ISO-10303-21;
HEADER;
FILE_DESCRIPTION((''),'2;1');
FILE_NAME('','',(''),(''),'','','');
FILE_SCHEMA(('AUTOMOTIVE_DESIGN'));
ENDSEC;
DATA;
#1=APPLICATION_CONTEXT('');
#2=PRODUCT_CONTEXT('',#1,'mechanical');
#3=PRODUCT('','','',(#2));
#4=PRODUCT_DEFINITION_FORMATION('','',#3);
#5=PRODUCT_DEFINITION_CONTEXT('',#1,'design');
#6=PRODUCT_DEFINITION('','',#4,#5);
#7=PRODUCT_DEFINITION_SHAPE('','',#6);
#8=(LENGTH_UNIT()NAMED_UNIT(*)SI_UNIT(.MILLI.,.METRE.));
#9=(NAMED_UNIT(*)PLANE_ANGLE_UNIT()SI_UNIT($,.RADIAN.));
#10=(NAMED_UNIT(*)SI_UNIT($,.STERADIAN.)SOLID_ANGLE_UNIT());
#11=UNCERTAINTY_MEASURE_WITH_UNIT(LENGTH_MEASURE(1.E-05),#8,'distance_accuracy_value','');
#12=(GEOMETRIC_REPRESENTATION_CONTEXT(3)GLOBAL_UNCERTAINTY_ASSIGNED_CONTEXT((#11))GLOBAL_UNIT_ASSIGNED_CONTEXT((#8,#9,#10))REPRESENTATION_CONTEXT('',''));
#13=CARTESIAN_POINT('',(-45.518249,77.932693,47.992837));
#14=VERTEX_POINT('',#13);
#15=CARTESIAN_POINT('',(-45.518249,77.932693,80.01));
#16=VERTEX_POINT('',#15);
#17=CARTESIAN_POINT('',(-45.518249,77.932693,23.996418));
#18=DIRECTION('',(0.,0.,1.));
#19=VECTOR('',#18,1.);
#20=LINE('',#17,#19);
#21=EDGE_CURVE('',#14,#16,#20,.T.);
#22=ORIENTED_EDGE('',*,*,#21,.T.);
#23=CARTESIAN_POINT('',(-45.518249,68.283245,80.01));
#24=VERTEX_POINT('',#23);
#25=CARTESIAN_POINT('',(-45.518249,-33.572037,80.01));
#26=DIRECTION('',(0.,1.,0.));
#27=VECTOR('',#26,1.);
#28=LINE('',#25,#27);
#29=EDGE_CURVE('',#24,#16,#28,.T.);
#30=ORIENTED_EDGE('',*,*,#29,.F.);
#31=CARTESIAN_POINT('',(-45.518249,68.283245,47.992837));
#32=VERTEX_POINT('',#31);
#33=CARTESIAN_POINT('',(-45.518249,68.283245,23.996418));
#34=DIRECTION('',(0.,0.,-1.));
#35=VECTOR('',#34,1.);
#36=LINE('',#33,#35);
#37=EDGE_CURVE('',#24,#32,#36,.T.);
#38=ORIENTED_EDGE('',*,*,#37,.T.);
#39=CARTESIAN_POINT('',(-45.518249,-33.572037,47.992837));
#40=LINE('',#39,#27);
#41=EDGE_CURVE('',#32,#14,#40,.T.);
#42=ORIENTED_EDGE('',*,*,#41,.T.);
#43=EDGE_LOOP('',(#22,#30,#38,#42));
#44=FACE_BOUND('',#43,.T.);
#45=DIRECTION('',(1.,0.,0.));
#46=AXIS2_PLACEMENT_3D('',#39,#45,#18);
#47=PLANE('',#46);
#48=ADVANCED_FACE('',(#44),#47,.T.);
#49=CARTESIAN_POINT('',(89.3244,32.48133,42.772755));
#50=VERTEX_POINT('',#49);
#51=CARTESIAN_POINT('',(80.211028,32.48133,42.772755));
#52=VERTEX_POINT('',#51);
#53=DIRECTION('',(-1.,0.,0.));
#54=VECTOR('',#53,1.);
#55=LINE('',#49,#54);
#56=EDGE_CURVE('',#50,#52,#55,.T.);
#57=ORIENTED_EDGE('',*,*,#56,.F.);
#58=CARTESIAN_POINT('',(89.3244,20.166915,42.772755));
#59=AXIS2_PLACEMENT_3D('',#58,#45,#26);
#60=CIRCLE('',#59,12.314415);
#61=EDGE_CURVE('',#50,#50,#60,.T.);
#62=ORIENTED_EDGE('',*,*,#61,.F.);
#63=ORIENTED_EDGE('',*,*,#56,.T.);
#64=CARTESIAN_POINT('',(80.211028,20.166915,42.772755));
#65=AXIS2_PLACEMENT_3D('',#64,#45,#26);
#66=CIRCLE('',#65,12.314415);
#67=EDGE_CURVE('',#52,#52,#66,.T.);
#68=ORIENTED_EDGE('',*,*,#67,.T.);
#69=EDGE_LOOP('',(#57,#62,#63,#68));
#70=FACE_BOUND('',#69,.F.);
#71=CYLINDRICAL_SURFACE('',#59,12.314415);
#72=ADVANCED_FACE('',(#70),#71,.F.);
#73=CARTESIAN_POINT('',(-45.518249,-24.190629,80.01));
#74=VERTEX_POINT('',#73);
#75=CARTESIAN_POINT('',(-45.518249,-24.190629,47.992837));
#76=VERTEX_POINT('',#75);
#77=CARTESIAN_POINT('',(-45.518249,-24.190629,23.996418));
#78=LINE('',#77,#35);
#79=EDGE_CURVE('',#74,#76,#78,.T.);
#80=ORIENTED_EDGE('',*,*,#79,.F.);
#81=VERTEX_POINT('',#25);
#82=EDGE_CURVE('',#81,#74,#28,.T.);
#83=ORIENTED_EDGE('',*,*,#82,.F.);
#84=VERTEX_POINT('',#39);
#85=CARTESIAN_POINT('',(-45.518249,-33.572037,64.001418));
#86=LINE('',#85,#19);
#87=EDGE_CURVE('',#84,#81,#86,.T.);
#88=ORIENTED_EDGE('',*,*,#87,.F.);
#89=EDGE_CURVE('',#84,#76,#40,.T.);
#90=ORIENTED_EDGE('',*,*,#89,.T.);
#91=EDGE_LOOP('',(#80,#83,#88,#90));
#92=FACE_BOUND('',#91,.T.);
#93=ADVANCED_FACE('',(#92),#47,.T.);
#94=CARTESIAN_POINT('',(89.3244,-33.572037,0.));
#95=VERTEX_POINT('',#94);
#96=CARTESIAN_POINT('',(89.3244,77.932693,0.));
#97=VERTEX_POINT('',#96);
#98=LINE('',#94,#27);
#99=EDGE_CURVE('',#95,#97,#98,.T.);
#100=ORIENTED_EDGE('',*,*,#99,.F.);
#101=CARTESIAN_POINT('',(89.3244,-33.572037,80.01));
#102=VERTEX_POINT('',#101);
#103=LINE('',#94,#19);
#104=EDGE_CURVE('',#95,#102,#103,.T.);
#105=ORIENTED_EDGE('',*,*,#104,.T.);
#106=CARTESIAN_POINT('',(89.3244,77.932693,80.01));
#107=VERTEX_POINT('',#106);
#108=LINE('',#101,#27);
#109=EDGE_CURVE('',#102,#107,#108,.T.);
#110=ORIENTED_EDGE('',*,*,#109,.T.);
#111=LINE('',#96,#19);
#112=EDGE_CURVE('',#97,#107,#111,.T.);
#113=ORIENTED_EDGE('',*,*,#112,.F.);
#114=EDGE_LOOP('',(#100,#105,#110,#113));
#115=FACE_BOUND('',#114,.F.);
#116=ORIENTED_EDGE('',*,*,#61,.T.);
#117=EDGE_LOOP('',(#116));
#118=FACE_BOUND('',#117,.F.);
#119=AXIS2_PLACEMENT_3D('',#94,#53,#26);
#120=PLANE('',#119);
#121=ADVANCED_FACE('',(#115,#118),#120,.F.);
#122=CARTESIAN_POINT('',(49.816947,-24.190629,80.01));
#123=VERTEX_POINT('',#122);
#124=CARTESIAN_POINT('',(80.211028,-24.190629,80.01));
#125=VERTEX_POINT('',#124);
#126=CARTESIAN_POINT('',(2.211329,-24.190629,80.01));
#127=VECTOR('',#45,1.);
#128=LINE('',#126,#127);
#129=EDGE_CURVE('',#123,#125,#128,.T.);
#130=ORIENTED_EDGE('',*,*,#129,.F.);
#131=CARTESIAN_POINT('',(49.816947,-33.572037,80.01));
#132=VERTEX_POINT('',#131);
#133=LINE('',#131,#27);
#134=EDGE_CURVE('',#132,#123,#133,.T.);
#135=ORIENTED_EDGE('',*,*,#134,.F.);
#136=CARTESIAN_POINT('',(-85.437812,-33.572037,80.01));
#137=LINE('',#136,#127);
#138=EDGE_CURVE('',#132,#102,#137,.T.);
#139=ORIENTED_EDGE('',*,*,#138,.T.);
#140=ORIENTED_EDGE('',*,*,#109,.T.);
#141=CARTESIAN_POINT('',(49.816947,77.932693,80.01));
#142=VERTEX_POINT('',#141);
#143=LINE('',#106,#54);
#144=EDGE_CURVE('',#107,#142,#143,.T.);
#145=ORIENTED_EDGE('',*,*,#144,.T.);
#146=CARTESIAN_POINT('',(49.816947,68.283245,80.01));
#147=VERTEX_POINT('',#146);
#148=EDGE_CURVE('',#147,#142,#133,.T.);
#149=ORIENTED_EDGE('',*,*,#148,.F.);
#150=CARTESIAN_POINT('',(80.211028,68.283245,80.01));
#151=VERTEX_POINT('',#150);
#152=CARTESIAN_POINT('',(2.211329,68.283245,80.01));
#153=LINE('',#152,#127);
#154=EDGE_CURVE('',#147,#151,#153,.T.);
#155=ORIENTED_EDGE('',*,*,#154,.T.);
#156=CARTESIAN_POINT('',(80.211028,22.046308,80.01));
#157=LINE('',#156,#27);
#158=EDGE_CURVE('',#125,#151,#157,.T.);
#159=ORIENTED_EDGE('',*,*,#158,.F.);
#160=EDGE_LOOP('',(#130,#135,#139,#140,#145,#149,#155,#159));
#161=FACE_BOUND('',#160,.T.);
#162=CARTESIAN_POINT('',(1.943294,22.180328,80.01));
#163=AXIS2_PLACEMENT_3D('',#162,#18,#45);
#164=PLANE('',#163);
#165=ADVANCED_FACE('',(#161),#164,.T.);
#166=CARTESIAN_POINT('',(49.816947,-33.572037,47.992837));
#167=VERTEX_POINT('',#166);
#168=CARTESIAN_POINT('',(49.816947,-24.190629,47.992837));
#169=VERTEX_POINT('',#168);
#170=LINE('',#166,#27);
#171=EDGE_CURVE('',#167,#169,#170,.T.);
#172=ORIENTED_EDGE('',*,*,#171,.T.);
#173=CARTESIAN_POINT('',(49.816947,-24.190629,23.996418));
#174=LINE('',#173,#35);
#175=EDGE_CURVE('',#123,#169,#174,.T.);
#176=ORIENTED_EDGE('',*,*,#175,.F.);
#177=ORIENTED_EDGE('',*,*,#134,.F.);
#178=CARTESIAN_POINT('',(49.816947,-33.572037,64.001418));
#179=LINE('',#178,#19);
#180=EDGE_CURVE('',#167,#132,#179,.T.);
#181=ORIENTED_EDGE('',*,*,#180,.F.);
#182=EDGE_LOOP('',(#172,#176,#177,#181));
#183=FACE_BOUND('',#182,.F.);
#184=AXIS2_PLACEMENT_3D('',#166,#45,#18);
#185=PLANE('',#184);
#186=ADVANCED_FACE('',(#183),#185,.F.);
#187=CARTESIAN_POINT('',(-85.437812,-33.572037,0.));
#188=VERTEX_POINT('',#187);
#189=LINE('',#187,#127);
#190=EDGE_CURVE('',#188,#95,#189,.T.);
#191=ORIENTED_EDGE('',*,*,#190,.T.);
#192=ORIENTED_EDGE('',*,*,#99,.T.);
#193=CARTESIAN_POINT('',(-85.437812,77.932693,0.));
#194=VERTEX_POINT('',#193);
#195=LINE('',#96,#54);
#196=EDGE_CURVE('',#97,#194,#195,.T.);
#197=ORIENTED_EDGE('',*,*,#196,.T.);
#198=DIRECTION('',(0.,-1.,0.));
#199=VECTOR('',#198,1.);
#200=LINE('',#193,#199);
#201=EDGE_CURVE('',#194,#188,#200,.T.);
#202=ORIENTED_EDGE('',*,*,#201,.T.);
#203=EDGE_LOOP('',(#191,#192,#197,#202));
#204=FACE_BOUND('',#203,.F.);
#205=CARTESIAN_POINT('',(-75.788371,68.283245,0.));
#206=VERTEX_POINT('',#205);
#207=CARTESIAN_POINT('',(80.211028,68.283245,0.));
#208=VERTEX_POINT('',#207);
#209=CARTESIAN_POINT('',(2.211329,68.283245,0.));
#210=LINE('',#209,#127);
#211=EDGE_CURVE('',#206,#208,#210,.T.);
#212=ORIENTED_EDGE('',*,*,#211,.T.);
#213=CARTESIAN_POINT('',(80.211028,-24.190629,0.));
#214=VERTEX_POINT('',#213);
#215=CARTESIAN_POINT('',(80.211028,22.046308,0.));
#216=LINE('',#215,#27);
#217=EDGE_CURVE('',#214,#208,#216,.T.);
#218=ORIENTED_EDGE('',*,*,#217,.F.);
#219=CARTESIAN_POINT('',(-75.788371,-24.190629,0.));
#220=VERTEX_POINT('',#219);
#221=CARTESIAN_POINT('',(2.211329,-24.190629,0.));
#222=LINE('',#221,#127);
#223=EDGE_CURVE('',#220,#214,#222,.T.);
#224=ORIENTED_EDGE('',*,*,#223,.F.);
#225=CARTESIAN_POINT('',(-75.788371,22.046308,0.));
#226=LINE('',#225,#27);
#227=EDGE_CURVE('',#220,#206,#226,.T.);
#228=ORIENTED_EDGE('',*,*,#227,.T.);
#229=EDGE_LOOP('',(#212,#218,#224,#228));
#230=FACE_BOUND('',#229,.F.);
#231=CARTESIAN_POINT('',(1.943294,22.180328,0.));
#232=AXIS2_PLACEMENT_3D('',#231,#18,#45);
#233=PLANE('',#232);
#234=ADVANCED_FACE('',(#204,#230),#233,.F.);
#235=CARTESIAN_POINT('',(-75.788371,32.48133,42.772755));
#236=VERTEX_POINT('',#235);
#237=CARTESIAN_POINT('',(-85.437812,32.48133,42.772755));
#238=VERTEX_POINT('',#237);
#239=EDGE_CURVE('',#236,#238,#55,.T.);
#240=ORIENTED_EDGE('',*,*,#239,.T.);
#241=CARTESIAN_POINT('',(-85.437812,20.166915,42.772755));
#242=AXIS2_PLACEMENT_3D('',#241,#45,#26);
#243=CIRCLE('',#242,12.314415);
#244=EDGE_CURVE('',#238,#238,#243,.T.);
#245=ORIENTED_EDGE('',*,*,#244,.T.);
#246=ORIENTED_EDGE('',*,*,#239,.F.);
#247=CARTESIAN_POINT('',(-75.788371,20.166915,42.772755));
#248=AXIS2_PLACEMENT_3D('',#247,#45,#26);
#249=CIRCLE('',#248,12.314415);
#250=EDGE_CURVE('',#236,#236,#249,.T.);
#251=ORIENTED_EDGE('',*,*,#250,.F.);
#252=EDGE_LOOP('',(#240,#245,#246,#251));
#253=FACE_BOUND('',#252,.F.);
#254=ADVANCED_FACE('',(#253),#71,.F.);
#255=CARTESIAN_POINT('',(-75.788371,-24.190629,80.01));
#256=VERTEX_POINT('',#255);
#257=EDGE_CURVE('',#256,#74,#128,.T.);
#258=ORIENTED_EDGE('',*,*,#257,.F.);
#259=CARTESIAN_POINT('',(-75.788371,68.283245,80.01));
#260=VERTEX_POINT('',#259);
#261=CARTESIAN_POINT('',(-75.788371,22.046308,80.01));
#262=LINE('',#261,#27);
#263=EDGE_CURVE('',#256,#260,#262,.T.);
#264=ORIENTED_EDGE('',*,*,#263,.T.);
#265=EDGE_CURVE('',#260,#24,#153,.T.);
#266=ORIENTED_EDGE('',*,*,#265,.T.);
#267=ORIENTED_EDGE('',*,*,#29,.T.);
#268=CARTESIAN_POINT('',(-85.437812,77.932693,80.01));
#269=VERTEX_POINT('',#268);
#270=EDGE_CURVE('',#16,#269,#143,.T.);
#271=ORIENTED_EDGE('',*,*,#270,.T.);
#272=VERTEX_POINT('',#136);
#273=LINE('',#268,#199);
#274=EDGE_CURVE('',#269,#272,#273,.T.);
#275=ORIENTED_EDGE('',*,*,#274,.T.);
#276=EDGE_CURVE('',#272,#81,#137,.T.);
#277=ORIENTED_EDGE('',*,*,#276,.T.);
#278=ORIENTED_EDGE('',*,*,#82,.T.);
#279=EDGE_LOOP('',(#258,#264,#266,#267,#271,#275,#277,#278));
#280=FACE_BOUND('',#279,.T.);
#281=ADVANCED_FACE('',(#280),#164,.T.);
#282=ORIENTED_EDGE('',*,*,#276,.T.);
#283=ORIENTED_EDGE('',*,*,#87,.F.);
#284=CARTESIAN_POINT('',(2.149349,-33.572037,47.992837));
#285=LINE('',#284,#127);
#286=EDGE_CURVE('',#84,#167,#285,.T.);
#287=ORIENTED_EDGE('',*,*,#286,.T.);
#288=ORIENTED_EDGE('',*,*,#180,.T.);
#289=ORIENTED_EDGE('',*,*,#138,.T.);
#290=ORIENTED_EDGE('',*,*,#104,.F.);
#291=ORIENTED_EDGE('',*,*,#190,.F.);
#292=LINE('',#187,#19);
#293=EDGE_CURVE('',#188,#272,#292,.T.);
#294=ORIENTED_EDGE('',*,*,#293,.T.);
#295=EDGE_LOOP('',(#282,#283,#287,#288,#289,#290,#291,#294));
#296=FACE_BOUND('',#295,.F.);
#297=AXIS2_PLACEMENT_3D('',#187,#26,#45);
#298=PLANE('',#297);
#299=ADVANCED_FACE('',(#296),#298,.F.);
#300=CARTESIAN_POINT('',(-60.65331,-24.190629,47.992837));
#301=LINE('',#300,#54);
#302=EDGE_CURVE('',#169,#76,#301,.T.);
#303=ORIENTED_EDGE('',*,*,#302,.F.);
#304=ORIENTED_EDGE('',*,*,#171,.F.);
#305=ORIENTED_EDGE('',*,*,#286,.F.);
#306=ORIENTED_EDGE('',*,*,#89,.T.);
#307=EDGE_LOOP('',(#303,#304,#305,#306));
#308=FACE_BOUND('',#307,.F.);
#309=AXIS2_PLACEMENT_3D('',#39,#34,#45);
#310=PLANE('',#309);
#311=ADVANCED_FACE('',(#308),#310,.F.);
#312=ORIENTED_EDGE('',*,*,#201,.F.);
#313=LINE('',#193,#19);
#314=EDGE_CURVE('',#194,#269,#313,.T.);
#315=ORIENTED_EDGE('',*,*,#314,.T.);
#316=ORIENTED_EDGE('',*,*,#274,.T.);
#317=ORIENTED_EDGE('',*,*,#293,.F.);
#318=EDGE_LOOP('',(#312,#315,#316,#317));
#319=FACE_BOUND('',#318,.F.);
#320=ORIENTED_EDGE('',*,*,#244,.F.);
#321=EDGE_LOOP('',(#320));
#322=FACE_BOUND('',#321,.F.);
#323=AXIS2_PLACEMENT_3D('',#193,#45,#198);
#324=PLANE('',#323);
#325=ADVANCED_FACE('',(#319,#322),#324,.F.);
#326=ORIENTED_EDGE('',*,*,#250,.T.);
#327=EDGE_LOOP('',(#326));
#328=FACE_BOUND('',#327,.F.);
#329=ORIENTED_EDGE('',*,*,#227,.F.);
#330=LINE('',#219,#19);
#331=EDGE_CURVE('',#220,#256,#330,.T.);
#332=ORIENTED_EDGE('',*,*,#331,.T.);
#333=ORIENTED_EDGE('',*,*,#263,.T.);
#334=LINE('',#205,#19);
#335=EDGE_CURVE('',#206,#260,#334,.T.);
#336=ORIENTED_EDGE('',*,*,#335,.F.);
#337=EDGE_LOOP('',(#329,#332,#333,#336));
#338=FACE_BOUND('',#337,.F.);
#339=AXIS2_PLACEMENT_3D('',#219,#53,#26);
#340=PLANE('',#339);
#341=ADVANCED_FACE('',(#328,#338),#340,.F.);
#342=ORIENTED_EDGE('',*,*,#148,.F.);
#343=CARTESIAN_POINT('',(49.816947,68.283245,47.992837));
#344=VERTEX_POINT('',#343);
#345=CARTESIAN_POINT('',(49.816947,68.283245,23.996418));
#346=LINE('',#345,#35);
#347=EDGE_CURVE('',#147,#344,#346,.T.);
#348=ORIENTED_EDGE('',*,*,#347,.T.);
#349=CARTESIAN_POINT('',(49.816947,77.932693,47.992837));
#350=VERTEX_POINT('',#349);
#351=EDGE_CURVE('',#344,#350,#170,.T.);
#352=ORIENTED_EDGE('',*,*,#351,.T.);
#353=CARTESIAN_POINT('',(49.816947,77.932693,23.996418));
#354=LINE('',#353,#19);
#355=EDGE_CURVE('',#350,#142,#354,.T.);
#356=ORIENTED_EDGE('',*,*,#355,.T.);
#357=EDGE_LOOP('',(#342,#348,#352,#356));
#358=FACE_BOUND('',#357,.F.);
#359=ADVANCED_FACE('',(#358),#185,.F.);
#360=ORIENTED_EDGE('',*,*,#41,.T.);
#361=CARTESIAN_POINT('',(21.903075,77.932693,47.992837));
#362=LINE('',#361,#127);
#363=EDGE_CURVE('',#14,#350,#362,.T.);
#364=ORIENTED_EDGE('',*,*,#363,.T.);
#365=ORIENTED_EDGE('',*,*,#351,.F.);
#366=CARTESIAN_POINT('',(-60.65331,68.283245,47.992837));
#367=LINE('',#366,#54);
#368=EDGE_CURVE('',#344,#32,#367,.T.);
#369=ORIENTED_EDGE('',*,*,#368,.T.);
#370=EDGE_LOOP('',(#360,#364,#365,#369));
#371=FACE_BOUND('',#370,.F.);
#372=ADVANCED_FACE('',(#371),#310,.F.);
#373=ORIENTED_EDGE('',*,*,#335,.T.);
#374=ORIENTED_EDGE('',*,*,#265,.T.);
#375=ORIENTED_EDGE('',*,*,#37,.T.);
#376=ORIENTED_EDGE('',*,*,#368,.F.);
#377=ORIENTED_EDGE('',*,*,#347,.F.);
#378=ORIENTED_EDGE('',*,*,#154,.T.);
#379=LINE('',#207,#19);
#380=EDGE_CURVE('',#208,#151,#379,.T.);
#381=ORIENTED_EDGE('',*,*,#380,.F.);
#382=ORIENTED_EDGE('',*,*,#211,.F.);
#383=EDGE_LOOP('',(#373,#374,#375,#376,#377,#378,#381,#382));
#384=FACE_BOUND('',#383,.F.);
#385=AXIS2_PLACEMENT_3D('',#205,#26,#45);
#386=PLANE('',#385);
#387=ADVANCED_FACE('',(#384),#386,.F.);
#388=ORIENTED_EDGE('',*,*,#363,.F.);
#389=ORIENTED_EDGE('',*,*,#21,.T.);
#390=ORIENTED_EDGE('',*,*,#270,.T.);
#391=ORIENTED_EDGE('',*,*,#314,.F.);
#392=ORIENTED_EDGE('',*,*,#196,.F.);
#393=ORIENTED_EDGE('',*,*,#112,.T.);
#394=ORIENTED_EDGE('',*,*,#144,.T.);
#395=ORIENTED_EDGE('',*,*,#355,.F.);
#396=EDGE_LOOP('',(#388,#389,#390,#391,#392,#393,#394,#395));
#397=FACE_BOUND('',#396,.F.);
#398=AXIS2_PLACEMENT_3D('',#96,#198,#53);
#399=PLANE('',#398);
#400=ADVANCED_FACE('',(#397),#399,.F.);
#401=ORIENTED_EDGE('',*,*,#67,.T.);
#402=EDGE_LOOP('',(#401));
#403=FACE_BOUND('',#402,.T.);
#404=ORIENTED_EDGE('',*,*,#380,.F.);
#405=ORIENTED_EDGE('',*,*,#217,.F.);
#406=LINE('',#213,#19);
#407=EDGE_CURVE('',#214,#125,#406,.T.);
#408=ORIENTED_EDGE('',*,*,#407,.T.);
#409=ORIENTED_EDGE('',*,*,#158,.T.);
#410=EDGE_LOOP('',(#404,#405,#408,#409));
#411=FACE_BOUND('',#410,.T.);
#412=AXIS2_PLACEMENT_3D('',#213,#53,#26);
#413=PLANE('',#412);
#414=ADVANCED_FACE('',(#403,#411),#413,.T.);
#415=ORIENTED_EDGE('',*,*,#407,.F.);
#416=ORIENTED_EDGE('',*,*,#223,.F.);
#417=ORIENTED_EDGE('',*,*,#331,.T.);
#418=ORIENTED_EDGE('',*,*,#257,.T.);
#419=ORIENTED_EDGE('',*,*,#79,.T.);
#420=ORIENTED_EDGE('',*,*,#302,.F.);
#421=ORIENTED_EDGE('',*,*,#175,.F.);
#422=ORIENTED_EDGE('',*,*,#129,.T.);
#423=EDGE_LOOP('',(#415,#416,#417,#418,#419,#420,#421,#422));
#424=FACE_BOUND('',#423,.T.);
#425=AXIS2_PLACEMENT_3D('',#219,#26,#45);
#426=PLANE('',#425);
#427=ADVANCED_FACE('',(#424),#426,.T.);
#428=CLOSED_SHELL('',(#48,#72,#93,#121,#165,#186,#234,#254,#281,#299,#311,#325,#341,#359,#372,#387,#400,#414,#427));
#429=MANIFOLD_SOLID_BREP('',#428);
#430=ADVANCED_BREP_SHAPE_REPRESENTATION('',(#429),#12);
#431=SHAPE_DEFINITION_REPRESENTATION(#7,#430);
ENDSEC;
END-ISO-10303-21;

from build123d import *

# Parameters (mm, degrees)
F0_W     = 155.9993997216
F0_H     = 92.4738738686
F1_DEPTH = 80.01
F2_W     = 95.3351967037
F2_H     = 32.017163316
F3_DEPTH = 111.5057298372
F4_R     = 12.3144153275
F5_DEPTH = 174.76321174


with BuildPart() as f1:
    # F0 (on Top) → F1 (new body)
    with BuildSketch(Plane.XY):
        Polygon((-75.7883712649, 77.9326930642), (-85.4378119111, 77.9326930642), (-85.4378119111, 68.2832449675), (-85.4378119111, -24.1906289011), (-85.4378119111, -33.572036773), (80.2110284567, -33.572036773), (89.3243998289, -33.572036773), (89.3243998289, -24.1906289011), (89.3243998289, 68.2832449675), (89.3243998289, 77.9326930642), align=None)
        with Locations((2.2113285959, 22.0463080332)):
            Rectangle(F0_W, F0_H, mode=Mode.SUBTRACT)
    extrude(amount=F1_DEPTH)

    # F2 (on face) → F3 (cut, through all)
    with BuildSketch(Plane.XZ.offset(33.572036773)):
        with Locations((2.1493490785, 64.001418342)):
            Rectangle(F2_W, F2_H)
    extrude(amount=-F3_DEPTH, mode=Mode.SUBTRACT)

    # F4 (on face) → F5 (cut, through all)
    with BuildSketch(Plane.YZ.offset(89.3243998289)):
        with Locations((20.1669149101, 42.7727550268)):
            Circle(F4_R)
    extrude(amount=-F5_DEPTH, mode=Mode.SUBTRACT)


solid = f1.part
